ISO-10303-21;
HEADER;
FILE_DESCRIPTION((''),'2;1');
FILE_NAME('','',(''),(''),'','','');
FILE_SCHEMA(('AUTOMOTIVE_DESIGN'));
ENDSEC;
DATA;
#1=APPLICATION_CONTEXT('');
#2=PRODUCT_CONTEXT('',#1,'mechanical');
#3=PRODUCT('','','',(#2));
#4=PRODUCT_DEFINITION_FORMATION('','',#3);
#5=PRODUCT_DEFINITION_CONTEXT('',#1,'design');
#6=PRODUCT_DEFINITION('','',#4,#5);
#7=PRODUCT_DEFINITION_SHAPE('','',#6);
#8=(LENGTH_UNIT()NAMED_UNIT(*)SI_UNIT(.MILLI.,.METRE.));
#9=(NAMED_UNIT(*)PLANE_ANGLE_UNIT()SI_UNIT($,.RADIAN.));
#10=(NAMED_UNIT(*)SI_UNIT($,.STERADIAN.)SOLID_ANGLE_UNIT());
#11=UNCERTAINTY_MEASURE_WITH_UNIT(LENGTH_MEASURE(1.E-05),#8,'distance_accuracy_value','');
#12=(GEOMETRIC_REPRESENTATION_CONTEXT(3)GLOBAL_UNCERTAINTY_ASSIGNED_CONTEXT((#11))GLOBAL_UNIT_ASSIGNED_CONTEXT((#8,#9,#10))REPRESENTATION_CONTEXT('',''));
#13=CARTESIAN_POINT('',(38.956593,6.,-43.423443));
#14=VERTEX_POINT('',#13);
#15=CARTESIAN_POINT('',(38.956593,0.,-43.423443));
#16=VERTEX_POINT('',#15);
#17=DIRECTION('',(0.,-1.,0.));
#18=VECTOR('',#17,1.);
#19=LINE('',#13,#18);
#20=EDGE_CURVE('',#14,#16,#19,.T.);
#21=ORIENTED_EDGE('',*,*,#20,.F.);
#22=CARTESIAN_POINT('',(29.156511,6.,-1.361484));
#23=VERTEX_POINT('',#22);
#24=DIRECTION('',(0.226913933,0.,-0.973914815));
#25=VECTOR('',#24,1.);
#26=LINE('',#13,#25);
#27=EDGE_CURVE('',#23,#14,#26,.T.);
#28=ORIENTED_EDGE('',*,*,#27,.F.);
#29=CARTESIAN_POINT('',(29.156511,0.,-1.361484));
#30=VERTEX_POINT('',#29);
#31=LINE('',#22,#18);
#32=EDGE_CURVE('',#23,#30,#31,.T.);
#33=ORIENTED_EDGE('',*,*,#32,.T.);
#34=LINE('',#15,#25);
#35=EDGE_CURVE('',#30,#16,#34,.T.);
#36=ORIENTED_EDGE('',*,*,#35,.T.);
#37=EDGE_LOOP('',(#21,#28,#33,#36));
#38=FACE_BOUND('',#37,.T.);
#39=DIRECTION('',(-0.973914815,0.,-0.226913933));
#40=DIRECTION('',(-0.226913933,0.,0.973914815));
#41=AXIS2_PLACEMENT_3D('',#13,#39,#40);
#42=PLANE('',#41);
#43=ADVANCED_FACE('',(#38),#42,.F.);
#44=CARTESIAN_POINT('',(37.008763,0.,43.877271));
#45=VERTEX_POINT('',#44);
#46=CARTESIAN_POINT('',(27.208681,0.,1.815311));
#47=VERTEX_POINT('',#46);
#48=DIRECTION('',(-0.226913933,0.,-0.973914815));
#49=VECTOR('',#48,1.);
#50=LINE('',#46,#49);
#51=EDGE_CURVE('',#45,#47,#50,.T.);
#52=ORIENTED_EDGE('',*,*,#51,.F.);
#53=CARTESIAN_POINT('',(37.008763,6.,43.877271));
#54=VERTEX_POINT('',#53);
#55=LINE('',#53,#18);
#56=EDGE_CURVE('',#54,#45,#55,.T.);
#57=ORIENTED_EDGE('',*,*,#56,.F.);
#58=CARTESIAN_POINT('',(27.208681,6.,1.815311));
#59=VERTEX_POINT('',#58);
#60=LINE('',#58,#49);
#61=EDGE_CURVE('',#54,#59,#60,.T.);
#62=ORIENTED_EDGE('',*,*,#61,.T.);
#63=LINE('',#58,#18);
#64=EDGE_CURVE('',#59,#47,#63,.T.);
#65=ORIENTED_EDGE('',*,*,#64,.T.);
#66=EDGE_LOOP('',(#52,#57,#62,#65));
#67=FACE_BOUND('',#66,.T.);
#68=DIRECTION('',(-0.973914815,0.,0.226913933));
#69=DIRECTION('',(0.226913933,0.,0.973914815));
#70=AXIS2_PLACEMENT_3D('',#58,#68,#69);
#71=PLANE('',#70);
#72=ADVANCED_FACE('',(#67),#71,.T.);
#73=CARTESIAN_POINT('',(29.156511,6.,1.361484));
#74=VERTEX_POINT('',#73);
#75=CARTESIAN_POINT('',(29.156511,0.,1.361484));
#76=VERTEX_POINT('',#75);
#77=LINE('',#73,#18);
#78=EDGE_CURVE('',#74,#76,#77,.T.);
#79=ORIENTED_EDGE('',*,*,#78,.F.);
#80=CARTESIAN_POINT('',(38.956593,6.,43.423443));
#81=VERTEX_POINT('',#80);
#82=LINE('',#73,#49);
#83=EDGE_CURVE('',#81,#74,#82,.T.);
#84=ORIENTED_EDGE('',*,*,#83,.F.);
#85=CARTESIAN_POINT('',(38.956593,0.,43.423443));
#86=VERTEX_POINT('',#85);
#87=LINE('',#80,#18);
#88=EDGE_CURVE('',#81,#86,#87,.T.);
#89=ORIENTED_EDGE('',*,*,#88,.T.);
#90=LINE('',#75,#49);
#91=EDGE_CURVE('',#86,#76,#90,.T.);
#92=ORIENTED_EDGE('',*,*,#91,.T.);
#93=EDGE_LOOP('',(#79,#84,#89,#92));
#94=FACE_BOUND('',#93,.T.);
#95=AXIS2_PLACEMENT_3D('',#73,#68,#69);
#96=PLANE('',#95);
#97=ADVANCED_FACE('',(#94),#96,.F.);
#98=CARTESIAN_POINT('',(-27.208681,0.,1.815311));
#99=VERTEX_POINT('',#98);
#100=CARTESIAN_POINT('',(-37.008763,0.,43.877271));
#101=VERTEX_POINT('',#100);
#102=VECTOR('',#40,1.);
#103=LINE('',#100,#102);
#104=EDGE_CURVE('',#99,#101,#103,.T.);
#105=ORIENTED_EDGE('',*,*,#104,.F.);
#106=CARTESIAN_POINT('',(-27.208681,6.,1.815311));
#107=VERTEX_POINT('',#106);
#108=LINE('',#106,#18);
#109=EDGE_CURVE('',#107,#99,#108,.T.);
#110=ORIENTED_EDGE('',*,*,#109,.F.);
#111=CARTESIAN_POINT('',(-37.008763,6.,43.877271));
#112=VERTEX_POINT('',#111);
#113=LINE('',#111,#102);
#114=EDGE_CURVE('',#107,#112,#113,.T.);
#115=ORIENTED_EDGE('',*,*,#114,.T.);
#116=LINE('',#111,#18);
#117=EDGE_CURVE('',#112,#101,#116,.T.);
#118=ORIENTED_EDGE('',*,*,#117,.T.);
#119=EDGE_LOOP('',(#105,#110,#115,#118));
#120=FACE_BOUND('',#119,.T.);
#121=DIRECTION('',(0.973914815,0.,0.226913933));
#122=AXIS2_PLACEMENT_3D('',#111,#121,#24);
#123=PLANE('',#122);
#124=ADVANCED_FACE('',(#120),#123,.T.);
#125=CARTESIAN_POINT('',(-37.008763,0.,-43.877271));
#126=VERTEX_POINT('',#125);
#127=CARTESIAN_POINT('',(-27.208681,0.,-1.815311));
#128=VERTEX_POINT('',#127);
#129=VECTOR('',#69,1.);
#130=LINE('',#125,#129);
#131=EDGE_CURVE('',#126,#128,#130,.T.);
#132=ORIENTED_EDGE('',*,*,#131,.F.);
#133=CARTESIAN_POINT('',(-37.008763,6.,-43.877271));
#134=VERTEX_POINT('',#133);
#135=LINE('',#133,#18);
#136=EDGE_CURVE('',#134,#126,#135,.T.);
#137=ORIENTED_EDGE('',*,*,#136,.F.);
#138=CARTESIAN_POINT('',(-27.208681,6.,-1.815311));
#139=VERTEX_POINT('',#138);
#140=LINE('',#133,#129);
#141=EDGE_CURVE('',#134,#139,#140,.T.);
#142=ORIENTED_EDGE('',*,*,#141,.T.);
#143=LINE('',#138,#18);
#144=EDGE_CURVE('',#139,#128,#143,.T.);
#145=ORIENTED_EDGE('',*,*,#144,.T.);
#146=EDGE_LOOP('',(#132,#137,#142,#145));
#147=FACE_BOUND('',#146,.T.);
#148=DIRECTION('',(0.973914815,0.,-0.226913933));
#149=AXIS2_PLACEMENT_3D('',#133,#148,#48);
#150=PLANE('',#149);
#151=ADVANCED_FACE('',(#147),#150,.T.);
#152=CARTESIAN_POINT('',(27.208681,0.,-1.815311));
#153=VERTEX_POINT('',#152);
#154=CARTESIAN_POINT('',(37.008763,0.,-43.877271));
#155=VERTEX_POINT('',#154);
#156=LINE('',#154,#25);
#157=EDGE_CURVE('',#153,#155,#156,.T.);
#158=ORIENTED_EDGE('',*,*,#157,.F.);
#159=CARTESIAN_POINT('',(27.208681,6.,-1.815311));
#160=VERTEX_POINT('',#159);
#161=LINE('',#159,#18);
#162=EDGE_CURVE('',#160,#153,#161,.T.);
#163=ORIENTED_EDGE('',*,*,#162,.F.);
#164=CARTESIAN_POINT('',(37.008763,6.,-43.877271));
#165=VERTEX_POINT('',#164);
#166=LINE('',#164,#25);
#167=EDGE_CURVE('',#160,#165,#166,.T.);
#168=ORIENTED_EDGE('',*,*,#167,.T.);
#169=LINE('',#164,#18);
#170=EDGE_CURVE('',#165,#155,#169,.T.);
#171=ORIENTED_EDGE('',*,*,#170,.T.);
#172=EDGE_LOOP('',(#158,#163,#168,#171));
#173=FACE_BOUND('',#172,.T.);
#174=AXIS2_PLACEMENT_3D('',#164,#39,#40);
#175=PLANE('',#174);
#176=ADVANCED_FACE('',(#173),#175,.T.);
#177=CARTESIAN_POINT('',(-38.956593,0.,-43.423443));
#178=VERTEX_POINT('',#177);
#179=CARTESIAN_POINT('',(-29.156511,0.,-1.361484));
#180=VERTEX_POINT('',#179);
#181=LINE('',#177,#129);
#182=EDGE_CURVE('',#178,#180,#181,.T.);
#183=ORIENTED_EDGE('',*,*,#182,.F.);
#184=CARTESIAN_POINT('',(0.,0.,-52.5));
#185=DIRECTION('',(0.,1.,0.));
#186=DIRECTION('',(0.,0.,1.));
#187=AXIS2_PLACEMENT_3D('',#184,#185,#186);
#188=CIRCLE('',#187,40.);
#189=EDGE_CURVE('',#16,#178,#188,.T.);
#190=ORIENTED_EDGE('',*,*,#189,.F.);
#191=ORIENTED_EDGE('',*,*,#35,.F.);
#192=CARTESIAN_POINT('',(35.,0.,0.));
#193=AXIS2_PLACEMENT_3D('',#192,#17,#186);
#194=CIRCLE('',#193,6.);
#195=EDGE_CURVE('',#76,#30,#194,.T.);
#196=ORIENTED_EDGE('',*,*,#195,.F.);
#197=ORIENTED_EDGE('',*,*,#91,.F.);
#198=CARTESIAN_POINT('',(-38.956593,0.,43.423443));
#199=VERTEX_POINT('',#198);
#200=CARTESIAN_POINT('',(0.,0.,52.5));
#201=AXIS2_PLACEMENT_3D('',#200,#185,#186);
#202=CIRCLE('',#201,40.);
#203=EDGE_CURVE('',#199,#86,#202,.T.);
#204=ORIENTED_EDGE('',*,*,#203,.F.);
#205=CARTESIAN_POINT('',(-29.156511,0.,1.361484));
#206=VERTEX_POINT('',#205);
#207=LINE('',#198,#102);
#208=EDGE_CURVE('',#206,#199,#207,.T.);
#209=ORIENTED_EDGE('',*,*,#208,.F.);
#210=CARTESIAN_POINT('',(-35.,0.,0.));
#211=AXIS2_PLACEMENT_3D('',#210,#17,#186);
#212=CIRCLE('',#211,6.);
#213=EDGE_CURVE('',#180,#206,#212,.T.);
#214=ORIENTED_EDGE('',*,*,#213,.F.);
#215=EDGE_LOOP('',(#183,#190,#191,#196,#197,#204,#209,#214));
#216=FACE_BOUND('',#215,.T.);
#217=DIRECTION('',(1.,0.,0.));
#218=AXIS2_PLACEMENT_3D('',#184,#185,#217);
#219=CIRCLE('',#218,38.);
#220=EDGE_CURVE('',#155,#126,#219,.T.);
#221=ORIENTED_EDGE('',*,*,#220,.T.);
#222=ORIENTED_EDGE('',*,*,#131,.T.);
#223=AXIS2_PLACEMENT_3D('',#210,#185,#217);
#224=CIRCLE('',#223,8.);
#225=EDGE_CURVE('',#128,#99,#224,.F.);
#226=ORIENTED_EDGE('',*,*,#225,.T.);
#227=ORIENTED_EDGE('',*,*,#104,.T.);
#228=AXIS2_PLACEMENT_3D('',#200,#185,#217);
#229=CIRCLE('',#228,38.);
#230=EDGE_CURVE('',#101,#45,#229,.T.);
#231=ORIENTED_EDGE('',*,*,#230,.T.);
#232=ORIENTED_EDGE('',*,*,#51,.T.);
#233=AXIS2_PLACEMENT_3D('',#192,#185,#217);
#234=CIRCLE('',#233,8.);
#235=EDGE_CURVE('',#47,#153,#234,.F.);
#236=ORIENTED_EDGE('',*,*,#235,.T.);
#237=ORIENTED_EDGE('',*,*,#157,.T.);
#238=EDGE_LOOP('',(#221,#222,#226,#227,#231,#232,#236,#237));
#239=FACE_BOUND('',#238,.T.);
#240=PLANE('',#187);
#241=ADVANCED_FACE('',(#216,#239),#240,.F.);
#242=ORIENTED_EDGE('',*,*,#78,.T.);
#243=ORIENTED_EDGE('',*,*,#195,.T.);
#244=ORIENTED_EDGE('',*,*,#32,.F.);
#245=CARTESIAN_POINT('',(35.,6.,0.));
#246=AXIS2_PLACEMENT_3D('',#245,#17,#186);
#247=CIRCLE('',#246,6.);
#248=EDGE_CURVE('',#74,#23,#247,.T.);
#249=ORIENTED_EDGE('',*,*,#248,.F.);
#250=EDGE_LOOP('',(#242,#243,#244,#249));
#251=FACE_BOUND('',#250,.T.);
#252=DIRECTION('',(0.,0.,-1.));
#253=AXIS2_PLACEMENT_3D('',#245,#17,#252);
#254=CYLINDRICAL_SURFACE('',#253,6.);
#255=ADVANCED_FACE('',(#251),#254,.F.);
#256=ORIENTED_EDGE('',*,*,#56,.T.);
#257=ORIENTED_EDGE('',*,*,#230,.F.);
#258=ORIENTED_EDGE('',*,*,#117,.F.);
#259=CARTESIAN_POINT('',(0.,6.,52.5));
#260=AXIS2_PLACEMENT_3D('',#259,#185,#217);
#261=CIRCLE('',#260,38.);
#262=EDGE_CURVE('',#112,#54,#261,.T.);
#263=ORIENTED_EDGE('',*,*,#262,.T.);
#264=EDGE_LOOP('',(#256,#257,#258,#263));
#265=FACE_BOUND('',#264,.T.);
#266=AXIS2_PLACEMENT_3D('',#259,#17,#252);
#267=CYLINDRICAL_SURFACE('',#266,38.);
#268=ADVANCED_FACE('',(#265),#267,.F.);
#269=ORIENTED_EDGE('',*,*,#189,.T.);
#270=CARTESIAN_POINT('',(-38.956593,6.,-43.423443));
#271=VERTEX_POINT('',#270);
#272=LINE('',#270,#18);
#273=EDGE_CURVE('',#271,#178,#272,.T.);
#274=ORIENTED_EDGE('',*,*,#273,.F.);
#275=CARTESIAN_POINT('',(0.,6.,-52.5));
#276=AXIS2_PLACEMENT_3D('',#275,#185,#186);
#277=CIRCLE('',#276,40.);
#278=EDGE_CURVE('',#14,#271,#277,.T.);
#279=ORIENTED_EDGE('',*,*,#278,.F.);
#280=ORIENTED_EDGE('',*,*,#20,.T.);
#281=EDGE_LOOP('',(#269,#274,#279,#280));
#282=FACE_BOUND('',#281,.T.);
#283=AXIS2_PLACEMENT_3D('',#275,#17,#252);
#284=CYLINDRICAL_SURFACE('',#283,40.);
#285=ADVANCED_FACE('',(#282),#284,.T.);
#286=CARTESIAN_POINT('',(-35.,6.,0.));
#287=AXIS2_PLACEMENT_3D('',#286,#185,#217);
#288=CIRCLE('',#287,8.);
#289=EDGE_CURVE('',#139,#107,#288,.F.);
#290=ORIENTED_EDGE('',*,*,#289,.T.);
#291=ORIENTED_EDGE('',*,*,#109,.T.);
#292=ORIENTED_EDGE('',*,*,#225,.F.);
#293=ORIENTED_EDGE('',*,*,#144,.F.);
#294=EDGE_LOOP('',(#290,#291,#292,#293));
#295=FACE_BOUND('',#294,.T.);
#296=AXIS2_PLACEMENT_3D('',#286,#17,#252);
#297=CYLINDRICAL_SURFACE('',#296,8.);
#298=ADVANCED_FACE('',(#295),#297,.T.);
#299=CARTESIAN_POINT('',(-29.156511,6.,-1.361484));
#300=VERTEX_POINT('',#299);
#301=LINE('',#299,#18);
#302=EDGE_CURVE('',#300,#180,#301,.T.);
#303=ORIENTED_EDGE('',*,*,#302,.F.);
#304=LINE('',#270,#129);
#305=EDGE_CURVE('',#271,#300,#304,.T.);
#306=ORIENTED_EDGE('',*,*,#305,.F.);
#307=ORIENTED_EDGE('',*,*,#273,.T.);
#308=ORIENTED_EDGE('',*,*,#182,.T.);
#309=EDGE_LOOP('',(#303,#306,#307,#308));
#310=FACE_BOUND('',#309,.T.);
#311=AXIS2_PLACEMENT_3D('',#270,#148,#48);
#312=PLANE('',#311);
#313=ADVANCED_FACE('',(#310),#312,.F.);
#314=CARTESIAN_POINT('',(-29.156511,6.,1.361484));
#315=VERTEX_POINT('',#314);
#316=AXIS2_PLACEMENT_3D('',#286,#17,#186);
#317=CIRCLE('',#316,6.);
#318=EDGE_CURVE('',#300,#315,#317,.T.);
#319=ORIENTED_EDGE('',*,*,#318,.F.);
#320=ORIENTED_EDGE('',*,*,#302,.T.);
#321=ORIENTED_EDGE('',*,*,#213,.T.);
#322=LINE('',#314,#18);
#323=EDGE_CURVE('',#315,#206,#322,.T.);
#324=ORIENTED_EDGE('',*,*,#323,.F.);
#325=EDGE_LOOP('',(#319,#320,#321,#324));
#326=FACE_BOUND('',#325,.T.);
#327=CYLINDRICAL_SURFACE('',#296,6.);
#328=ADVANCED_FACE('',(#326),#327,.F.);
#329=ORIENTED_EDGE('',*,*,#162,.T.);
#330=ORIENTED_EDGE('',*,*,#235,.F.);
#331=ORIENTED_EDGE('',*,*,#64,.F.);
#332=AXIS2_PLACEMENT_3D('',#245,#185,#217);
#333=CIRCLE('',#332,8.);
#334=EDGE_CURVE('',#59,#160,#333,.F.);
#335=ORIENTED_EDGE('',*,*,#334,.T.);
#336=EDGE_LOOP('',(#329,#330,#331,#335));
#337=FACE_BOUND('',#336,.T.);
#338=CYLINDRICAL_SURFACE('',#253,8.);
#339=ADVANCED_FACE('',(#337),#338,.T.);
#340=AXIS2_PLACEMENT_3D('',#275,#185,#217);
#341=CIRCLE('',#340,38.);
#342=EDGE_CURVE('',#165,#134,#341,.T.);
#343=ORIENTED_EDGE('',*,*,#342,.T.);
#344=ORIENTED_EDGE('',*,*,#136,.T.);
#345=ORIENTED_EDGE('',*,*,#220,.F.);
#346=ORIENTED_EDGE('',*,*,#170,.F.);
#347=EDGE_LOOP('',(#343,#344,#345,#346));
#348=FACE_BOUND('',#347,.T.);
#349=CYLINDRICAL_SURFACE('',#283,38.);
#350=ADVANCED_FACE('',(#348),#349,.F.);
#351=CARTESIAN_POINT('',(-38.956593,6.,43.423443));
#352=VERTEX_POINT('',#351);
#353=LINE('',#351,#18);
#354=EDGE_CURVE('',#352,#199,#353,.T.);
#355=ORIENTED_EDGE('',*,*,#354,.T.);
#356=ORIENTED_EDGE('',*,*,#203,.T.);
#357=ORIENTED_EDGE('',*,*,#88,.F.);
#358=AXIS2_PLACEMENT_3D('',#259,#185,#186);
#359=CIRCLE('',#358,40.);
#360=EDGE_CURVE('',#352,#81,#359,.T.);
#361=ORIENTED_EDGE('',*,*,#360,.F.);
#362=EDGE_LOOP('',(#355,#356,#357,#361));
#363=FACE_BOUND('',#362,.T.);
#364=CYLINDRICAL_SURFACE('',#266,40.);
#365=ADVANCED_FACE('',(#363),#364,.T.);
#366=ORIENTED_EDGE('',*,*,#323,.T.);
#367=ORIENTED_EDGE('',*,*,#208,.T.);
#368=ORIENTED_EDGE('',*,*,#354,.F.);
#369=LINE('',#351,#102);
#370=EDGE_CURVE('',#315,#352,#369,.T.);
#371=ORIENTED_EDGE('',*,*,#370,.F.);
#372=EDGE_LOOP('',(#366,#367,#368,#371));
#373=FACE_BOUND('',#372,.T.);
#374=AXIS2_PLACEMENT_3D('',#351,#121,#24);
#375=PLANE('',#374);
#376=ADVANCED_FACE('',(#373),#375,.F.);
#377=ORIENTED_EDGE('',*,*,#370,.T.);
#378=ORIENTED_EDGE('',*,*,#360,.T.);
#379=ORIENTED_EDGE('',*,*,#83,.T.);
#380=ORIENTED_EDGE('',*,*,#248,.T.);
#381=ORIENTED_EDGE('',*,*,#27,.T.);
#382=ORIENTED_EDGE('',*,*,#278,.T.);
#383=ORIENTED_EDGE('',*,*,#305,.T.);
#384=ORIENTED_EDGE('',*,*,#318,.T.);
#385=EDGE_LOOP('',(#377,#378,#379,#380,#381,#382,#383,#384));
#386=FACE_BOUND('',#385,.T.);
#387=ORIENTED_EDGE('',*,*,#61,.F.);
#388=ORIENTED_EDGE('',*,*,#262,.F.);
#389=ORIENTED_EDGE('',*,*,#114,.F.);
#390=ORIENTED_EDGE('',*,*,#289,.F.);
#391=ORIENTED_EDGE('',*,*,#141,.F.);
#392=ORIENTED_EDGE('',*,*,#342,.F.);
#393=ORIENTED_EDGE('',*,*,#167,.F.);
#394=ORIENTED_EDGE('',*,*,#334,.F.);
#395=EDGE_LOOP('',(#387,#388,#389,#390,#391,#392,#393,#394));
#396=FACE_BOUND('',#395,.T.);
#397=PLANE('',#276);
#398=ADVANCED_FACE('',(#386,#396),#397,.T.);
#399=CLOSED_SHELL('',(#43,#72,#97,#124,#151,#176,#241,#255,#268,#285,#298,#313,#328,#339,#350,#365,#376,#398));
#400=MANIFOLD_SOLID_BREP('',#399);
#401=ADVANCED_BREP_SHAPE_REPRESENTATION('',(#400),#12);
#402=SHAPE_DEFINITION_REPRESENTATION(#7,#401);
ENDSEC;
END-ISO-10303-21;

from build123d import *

# Parameters (mm, degrees)
EXTRUDE_1_DEPTH = 6


with BuildPart() as part:
    # 草图1 → 拉伸-薄壁1 (new body)
    with BuildSketch(Plane(origin=(0, 0, 0), x_dir=(1, 0, 0), z_dir=(0, 1, 0))):
        with BuildLine():
            Line((29.156511109, 1.361483597), (38.956592605, 43.423442689))
            ThreePointArc((38.956592605, 43.423442689), (0, 92.5), (-38.956592605, 43.423442689))
            Line((-38.956592605, 43.423442689), (-29.156511109, 1.361483597))
            ThreePointArc((-29.156511109, 1.361483597), (-29, 0), (-29.156511109, -1.361483597))
            Line((-29.156511109, -1.361483597), (-38.956592605, -43.423442689))
            ThreePointArc((-38.956592605, -43.423442689), (0, -92.5), (38.956592605, -43.423442689))
            Line((38.956592605, -43.423442689), (29.156511109, -1.361483597))
            ThreePointArc((29.156511109, -1.361483597), (29, 0), (29.156511109, 1.361483597))
        make_face()
        with BuildLine():
            Line((27.208681479, 1.815311462), (37.008762975, 43.877270554))
            ThreePointArc((37.008762975, 43.877270554), (0, 90.5), (-37.008762975, 43.877270554))
            Line((-37.008762975, 43.877270554), (-27.208681479, 1.815311462))
            ThreePointArc((-27.208681479, 1.815311462), (-27, 0), (-27.208681479, -1.815311462))
            Line((-27.208681479, -1.815311462), (-37.008762975, -43.877270554))
            ThreePointArc((-37.008762975, -43.877270554), (0, -90.5), (37.008762975, -43.877270554))
            Line((37.008762975, -43.877270554), (27.208681479, -1.815311462))
            ThreePointArc((27.208681479, -1.815311462), (27, 0), (27.208681479, 1.815311462))
        make_face(mode=Mode.SUBTRACT)
    extrude(amount=EXTRUDE_1_DEPTH)


solid = part.part
